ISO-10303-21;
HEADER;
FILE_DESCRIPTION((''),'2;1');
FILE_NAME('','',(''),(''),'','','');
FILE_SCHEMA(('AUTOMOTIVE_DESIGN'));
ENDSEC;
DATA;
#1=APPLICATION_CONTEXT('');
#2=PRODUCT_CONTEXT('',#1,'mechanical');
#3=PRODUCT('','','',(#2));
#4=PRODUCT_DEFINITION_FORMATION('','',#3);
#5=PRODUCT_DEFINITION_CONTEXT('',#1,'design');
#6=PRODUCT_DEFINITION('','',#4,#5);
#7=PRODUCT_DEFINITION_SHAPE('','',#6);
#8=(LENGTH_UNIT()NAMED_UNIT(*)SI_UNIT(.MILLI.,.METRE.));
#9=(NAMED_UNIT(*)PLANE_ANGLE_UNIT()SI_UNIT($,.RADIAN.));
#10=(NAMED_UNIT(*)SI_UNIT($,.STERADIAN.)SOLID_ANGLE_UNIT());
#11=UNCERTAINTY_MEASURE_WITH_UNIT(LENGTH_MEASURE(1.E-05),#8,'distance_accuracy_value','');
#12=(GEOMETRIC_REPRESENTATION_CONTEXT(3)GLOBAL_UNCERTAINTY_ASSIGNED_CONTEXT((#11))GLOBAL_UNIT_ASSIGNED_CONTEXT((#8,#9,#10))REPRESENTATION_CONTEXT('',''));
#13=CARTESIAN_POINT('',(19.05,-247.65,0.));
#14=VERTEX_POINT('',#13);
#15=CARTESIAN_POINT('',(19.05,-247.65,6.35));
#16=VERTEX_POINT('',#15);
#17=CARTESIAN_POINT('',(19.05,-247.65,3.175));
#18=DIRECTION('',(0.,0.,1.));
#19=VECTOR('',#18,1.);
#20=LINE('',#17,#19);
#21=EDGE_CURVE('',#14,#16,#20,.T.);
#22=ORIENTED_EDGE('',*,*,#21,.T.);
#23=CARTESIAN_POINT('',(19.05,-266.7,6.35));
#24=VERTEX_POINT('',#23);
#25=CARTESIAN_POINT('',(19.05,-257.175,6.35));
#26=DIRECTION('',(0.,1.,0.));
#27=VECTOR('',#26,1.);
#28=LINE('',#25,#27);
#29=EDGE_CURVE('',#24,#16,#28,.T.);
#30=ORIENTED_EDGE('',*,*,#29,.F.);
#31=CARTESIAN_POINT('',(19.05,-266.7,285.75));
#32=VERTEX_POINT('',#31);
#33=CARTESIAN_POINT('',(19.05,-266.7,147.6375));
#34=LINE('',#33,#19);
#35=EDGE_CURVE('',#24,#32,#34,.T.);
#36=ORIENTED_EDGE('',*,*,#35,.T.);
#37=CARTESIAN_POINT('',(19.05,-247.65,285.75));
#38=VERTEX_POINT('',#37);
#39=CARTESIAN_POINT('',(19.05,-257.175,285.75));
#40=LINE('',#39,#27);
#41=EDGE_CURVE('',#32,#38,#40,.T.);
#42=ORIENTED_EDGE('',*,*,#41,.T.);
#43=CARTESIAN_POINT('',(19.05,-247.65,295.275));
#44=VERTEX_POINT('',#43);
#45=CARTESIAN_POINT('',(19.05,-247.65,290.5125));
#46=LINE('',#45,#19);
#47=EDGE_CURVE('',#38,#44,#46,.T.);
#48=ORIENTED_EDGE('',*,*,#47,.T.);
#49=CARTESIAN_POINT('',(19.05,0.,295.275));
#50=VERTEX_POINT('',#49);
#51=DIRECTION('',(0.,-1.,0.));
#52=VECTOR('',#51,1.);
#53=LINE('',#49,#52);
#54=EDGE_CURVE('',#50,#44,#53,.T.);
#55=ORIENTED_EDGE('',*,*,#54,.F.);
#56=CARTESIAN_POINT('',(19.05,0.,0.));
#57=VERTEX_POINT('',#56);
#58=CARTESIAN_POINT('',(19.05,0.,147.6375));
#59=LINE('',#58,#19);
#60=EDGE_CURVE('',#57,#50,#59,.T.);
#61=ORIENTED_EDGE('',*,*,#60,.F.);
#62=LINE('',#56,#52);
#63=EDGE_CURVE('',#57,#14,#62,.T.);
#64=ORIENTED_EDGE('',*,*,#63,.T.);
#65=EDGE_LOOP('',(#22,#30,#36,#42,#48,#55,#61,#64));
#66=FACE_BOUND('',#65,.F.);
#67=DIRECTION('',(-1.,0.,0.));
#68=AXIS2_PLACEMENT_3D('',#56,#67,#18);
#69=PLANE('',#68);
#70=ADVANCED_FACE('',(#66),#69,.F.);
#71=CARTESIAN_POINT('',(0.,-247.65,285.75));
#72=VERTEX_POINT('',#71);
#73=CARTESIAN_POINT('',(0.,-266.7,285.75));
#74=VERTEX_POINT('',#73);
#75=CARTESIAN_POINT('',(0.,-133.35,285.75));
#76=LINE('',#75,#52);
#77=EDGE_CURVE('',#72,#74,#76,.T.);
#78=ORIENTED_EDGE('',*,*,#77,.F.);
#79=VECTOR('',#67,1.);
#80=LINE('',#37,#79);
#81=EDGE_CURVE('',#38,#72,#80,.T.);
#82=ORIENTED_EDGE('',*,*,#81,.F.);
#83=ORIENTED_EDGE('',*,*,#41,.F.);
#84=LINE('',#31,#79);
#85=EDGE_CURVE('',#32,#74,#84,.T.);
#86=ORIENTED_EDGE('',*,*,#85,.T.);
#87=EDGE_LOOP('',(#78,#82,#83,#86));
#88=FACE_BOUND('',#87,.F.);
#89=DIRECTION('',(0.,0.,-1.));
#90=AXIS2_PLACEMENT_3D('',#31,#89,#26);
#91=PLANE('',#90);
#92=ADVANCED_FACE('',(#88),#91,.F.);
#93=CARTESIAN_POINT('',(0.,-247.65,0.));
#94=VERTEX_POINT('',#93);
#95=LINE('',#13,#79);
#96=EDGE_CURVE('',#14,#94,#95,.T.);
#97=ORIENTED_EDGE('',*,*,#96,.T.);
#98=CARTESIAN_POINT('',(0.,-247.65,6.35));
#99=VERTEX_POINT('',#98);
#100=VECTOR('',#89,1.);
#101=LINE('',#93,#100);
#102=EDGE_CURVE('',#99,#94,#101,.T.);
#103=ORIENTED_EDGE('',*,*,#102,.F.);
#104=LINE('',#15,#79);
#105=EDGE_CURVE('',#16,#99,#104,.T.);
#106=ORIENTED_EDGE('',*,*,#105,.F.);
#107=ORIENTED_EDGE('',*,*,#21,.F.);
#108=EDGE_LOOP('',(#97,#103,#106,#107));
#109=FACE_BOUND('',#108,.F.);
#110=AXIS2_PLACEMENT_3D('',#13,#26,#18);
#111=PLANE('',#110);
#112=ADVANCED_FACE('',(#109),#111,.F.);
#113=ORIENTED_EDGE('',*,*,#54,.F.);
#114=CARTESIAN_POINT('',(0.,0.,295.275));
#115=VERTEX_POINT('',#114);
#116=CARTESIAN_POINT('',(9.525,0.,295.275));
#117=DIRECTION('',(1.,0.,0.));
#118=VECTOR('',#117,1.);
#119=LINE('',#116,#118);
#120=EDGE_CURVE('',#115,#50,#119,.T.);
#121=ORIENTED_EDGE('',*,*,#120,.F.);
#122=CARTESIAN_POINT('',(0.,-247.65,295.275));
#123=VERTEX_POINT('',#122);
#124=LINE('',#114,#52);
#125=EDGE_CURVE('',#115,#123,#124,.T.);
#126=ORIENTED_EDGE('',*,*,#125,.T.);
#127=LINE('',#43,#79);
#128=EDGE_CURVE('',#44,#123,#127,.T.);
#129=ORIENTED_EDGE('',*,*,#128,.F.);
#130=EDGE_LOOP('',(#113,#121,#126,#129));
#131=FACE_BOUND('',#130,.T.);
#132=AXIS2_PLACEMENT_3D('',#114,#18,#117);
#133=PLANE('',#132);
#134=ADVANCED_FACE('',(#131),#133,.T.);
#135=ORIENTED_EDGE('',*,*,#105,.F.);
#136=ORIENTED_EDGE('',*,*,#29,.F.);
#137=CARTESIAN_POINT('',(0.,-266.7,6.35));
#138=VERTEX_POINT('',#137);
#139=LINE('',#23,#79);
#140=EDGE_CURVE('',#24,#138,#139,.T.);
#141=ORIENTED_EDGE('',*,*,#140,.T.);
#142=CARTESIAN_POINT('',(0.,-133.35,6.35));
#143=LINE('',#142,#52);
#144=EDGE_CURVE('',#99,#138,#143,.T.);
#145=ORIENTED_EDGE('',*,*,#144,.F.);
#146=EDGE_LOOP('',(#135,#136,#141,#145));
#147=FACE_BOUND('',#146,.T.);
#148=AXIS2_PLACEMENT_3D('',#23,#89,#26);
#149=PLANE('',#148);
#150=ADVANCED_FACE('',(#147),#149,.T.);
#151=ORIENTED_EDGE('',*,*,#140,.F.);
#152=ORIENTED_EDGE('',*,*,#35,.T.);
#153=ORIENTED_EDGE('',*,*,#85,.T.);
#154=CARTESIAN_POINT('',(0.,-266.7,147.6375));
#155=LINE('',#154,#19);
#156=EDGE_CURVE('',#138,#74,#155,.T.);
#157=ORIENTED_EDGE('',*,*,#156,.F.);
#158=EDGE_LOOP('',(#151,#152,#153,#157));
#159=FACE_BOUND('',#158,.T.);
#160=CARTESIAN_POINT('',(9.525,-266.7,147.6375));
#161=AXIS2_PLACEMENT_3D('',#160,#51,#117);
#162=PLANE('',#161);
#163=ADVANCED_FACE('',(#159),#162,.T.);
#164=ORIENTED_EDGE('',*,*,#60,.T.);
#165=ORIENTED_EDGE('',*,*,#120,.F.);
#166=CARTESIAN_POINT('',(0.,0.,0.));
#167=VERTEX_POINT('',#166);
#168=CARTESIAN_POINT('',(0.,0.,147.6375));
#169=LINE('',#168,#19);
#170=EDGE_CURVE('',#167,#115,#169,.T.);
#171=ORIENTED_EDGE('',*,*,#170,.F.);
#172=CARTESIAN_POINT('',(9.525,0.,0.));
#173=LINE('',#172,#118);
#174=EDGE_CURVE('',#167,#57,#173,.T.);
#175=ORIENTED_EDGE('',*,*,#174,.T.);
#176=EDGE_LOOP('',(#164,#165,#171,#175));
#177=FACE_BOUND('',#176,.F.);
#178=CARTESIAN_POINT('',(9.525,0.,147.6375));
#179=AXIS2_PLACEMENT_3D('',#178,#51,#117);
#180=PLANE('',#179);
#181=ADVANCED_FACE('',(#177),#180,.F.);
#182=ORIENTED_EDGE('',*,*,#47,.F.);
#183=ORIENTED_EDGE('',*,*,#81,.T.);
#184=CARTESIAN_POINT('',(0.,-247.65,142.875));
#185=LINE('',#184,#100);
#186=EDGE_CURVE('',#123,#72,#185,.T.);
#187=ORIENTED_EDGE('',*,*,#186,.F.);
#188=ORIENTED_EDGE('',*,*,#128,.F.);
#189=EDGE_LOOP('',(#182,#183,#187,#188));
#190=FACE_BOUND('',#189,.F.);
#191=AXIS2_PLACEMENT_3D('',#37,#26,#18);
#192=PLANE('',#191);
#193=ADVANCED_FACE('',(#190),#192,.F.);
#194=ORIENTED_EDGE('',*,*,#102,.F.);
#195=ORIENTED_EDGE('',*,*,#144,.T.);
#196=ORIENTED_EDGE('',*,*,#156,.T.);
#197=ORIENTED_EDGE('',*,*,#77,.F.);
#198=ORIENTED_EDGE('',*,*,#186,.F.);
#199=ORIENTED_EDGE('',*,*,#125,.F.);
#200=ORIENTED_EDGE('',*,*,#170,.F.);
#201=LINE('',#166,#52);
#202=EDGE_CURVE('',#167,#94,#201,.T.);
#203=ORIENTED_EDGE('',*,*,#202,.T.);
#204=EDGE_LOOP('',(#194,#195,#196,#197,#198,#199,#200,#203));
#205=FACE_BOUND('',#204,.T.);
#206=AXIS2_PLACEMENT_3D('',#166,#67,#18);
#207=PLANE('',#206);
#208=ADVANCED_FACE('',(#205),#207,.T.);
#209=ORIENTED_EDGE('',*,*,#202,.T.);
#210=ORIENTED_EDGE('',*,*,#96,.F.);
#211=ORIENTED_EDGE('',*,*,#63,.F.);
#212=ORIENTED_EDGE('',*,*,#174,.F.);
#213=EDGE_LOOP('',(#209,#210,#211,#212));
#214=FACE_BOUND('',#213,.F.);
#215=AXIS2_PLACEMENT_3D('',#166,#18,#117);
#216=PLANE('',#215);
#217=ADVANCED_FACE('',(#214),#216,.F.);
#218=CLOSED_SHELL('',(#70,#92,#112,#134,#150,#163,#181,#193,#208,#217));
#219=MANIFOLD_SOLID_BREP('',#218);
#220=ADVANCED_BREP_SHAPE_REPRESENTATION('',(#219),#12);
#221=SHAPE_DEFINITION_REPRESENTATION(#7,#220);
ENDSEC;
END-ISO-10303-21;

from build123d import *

# Parameters (mm, degrees)
F0_W     = 19.05
F0_H     = 295.275
F1_DEPTH = 266.7
F2_W     = 19.05
F2_H     = 9.525
F2_H_2   = 6.35
F3_DEPTH = 25.4


with BuildPart() as f1:
    # F0 (on Front) → F1 (new body)
    with BuildSketch(Plane.XZ):
        with Locations((9.525, 147.6375)):
            Rectangle(F0_W, F0_H)
    extrude(amount=F1_DEPTH)

    # F2 (on face) → F3 (cut)
    with BuildSketch(Plane.YZ.offset(19.05)):
        with Locations((-257.175, 290.5125)):
            Rectangle(F2_W, F2_H)
        with Locations((-257.175, 3.175)):
            Rectangle(F2_W, F2_H_2)
    extrude(amount=-F3_DEPTH, mode=Mode.SUBTRACT)


solid = f1.part
